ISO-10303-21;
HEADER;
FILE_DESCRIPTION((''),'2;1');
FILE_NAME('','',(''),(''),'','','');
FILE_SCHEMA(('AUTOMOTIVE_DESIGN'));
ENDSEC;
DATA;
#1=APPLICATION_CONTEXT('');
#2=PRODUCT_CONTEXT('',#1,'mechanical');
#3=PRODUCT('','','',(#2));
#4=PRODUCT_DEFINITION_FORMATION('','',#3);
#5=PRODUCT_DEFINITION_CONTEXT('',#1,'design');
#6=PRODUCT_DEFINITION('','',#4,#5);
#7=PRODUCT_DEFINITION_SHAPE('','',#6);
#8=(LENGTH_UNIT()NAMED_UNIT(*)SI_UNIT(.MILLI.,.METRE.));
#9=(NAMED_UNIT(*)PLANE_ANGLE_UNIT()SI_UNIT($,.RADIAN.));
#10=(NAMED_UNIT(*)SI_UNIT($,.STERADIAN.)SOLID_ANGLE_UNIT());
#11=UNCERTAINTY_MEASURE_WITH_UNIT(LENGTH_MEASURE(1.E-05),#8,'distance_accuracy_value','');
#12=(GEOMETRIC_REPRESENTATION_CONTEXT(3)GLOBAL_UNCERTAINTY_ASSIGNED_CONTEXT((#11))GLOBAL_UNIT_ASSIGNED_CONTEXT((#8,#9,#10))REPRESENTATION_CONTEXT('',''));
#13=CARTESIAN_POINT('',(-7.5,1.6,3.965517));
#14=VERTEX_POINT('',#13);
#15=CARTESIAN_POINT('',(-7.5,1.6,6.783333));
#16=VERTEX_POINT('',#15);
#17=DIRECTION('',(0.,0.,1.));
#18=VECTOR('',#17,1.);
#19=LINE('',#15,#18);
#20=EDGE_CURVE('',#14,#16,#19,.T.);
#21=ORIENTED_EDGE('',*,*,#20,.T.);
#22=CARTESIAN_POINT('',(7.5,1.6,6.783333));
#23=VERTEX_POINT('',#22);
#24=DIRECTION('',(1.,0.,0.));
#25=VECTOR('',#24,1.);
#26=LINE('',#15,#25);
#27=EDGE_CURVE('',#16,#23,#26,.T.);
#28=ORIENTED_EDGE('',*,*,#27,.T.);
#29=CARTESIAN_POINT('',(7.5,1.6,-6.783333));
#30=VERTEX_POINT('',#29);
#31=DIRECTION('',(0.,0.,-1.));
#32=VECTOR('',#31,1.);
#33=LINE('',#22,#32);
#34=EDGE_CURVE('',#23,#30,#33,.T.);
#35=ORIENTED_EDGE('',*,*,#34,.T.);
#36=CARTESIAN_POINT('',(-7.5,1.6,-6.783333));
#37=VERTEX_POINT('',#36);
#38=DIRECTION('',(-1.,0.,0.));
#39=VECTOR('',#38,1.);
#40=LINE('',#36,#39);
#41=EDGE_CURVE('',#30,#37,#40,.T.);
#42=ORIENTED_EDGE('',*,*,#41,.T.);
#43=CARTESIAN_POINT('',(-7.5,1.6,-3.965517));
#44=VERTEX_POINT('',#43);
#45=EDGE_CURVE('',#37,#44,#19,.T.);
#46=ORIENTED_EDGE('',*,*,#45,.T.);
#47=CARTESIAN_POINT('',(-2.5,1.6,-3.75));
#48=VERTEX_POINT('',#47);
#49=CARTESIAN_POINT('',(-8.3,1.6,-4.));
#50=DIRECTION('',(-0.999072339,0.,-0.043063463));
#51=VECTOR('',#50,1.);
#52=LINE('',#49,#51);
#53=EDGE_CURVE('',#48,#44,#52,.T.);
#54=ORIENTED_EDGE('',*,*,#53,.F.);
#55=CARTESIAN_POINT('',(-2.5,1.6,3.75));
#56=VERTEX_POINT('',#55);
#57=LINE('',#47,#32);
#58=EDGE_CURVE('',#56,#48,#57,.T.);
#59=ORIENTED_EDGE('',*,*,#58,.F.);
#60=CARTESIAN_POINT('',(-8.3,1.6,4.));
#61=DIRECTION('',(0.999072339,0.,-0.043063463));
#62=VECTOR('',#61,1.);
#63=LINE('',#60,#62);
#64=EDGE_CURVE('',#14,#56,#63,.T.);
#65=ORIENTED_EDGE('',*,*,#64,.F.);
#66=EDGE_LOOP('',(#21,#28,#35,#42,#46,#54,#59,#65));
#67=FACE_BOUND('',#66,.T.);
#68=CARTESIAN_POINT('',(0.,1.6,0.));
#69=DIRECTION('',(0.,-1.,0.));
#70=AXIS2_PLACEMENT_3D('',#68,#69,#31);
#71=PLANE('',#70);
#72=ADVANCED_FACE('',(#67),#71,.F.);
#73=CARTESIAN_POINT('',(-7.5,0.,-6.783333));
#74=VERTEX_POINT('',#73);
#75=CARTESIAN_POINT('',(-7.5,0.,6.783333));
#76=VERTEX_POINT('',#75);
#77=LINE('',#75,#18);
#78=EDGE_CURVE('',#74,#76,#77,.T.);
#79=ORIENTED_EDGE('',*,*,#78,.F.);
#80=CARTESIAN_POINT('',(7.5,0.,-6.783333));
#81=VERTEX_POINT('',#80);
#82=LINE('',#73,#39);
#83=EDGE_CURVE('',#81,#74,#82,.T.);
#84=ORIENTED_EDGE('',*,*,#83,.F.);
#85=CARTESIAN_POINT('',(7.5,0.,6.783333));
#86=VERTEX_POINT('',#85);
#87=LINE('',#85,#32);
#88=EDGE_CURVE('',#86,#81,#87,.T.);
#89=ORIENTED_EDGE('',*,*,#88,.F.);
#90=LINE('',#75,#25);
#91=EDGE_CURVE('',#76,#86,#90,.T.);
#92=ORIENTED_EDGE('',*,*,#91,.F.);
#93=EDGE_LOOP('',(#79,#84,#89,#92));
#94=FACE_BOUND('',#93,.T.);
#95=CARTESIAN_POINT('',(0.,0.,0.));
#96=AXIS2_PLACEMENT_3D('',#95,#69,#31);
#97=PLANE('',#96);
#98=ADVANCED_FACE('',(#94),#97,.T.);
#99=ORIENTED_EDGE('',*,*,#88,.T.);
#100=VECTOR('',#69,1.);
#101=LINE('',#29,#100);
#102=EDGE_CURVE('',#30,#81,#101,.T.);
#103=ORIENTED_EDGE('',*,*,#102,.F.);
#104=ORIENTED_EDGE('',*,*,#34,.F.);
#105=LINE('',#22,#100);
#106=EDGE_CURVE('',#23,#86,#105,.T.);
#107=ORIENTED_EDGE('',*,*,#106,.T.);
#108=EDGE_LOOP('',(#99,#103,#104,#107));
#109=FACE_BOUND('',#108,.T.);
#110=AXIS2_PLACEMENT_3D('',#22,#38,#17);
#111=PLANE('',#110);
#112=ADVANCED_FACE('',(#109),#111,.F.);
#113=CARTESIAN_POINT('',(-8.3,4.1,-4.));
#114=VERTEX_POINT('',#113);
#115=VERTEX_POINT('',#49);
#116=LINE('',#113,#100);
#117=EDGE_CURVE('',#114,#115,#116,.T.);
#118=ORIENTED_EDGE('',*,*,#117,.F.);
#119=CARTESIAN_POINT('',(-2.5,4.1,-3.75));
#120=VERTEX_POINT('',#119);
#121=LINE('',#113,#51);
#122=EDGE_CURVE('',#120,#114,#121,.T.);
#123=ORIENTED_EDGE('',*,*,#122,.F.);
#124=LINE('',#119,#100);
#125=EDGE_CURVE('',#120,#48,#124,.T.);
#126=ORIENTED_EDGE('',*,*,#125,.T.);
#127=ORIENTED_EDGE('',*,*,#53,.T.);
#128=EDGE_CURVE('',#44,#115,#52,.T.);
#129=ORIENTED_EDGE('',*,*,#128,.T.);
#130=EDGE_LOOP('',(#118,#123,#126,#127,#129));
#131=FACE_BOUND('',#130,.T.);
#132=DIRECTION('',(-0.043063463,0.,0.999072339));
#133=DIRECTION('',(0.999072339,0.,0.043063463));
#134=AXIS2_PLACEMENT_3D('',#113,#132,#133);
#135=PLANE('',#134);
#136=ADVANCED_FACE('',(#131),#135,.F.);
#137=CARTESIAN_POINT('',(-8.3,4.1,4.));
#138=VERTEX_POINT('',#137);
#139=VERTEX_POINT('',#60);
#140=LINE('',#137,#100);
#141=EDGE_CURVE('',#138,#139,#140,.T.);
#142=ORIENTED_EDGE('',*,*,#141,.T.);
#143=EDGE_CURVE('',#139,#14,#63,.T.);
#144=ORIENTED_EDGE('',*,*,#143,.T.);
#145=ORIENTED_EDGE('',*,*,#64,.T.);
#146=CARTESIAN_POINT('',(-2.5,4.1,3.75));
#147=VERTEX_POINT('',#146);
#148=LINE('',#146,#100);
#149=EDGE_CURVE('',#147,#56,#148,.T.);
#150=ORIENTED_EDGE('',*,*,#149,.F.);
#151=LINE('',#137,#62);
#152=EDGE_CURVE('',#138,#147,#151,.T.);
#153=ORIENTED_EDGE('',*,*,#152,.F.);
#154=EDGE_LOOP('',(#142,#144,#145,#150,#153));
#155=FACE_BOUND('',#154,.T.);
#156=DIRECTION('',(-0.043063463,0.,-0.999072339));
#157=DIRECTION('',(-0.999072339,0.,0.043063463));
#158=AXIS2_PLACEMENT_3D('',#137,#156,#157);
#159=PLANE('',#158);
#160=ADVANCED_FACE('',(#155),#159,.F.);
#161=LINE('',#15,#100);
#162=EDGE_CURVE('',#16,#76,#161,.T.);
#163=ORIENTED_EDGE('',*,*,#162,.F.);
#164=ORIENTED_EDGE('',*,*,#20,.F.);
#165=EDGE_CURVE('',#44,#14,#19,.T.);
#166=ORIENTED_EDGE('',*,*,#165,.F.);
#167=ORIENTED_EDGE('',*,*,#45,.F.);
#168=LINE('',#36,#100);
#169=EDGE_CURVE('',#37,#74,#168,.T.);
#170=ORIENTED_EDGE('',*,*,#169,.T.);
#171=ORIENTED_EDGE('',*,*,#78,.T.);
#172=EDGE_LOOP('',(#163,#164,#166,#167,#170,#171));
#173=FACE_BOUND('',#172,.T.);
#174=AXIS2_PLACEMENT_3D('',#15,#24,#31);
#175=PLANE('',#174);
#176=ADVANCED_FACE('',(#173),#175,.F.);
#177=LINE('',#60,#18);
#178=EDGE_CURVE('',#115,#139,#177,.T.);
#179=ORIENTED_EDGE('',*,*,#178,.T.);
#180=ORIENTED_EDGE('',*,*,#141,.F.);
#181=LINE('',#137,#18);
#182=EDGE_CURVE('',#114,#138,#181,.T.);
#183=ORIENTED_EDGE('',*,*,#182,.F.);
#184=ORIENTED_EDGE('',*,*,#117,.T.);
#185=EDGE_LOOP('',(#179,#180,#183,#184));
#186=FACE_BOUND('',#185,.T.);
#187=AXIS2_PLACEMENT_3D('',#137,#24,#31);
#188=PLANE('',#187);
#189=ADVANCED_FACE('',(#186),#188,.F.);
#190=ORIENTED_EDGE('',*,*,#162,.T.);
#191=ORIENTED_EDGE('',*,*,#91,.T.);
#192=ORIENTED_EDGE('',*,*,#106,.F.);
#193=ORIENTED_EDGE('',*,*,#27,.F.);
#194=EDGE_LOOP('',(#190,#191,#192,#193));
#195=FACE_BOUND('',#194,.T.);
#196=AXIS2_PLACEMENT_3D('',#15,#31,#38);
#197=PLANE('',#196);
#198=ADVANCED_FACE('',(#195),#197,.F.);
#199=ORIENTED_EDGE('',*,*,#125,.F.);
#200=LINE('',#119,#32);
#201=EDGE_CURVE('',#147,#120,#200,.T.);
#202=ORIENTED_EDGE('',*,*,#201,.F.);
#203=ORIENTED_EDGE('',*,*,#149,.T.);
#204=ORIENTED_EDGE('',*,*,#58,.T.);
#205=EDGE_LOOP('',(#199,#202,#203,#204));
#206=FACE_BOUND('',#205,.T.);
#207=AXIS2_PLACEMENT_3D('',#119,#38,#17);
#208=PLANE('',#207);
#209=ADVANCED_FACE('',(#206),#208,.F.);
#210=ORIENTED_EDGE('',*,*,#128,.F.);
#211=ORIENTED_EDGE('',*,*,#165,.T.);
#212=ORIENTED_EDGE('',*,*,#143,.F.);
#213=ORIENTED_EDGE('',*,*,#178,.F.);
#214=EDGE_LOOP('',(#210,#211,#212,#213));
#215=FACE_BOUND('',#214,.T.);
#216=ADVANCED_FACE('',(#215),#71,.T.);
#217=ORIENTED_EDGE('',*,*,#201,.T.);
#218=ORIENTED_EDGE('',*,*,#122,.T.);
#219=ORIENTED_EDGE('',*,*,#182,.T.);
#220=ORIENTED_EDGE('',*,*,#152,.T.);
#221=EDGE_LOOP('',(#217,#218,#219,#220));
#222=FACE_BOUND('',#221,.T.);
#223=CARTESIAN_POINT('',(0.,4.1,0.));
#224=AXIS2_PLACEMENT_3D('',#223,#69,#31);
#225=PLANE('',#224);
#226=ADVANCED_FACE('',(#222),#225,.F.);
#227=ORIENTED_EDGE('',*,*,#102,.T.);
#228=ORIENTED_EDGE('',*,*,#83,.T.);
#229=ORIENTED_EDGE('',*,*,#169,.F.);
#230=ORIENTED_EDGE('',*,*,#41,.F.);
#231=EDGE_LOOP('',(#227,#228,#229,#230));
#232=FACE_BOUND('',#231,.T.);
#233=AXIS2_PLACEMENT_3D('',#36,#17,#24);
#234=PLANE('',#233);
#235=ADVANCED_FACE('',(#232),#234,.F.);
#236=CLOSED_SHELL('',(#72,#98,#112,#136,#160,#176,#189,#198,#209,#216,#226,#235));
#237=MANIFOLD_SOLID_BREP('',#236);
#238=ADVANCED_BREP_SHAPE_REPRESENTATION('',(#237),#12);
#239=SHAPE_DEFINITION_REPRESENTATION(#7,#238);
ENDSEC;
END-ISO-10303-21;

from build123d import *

# Parameters (mm, degrees)
SKETCH_1_W      = 15
SKETCH_1_H      = 13.566666666
EXTRUDE_1_DEPTH = 1.6
EXTRUDE_2_DEPTH = 2.5


with BuildPart() as part:
    # 草图1 → 凸台-拉伸1 (new body)
    with BuildSketch(Plane(origin=(0, 0, 0), x_dir=(1, 0, 0), z_dir=(0, 1, 0))):
        Rectangle(SKETCH_1_W, SKETCH_1_H)
    extrude(amount=EXTRUDE_1_DEPTH)

    # 草图2 → 凸台-拉伸2 (add)
    with BuildSketch(Plane(origin=(0, 1.6, 0), x_dir=(1, 0, 0), z_dir=(0, 1, 0))):
        Polygon((-8.3, -4), (-8.3, 4), (-2.5, 3.75), (-2.5, -3.75), align=None)
    extrude(amount=EXTRUDE_2_DEPTH)


solid = part.part
